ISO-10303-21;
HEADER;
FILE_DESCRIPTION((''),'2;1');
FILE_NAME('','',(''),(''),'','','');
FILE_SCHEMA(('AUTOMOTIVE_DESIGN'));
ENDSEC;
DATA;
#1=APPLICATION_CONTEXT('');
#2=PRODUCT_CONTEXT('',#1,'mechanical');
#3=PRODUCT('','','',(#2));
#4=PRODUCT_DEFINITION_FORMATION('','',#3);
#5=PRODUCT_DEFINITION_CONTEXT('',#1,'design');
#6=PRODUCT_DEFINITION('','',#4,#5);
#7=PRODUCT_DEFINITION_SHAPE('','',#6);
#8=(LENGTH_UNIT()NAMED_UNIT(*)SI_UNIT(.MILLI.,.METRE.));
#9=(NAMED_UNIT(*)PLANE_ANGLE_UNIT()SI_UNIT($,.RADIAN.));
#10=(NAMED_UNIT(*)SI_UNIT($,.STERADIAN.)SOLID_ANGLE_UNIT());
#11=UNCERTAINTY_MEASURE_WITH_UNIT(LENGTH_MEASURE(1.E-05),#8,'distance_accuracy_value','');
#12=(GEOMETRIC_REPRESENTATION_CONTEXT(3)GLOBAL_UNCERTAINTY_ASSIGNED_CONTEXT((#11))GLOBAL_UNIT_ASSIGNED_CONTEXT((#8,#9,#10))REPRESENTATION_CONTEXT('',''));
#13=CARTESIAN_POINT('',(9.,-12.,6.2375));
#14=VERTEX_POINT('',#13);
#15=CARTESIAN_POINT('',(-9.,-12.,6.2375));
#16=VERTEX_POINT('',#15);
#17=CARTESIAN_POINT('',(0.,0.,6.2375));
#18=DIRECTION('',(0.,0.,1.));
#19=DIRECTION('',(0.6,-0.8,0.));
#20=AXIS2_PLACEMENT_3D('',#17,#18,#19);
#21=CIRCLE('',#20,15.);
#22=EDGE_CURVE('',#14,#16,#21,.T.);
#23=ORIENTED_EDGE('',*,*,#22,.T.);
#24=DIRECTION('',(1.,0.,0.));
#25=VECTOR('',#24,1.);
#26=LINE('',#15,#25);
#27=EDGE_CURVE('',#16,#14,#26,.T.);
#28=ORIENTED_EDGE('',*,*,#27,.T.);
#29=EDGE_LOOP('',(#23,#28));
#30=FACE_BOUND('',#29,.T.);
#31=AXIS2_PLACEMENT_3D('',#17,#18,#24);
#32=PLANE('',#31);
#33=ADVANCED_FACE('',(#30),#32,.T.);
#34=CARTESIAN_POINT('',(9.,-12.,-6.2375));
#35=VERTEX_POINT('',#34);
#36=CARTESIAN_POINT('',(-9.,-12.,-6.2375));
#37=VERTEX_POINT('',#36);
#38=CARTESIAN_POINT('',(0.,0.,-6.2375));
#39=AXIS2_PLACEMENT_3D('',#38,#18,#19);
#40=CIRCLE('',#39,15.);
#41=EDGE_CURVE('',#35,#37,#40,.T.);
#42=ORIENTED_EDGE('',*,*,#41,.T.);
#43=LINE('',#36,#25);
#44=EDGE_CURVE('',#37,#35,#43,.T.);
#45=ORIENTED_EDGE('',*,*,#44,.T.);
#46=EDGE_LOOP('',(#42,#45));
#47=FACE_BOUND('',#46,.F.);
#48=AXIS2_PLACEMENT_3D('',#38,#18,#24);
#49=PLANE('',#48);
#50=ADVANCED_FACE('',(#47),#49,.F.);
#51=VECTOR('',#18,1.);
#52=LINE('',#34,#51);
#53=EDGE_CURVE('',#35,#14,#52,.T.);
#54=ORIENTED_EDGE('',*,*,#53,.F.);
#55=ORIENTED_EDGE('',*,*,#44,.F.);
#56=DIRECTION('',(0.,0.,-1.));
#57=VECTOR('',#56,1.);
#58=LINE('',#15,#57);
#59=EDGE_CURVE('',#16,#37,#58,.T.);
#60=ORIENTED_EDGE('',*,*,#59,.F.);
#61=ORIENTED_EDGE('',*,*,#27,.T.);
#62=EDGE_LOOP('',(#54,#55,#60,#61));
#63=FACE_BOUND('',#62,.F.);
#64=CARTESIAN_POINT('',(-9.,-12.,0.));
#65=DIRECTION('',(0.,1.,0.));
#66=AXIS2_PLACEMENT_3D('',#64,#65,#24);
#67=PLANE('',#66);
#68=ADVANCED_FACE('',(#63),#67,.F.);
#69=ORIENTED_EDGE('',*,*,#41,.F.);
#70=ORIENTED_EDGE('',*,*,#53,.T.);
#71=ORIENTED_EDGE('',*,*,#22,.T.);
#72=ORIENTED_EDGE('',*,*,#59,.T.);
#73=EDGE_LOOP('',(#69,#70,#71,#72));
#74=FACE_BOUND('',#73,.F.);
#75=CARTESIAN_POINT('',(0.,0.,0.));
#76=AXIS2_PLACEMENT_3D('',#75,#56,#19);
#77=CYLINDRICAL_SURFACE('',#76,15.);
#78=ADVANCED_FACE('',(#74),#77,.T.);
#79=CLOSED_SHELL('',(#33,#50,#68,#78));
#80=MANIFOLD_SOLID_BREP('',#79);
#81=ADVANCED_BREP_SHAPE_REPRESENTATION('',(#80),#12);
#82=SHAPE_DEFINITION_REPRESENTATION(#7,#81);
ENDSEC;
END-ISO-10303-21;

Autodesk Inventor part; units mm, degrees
ref_plane "YZ Plane" through (0, 0, 0) normal (1, 0, 0) x (0, 1, 0)
ref_plane "XZ Plane" through (0, 0, 0) normal (0, 1, 0) x (-1, 0, 0)
ref_plane "XY Plane" through (0, 0, 0) normal (0, 0, 1) x (1, 0, 0)
sketch "Sketch1" plane through (0, 0, 0) normal (0, 0, 1) x (1, 0, 0)
  arc A0 (9, -12) -> (-9, -12) centre (0, 0) ccw
  line L0 (-9, -12) -> (9, -12)
  dimension "d0" = 30
  dimension "d1" = 12
extrude "Extrusion1" add sketch "Sketch1" along normal mid plane 12.475
properties part number "Thermal pad" material "Rubber, Silicone"
